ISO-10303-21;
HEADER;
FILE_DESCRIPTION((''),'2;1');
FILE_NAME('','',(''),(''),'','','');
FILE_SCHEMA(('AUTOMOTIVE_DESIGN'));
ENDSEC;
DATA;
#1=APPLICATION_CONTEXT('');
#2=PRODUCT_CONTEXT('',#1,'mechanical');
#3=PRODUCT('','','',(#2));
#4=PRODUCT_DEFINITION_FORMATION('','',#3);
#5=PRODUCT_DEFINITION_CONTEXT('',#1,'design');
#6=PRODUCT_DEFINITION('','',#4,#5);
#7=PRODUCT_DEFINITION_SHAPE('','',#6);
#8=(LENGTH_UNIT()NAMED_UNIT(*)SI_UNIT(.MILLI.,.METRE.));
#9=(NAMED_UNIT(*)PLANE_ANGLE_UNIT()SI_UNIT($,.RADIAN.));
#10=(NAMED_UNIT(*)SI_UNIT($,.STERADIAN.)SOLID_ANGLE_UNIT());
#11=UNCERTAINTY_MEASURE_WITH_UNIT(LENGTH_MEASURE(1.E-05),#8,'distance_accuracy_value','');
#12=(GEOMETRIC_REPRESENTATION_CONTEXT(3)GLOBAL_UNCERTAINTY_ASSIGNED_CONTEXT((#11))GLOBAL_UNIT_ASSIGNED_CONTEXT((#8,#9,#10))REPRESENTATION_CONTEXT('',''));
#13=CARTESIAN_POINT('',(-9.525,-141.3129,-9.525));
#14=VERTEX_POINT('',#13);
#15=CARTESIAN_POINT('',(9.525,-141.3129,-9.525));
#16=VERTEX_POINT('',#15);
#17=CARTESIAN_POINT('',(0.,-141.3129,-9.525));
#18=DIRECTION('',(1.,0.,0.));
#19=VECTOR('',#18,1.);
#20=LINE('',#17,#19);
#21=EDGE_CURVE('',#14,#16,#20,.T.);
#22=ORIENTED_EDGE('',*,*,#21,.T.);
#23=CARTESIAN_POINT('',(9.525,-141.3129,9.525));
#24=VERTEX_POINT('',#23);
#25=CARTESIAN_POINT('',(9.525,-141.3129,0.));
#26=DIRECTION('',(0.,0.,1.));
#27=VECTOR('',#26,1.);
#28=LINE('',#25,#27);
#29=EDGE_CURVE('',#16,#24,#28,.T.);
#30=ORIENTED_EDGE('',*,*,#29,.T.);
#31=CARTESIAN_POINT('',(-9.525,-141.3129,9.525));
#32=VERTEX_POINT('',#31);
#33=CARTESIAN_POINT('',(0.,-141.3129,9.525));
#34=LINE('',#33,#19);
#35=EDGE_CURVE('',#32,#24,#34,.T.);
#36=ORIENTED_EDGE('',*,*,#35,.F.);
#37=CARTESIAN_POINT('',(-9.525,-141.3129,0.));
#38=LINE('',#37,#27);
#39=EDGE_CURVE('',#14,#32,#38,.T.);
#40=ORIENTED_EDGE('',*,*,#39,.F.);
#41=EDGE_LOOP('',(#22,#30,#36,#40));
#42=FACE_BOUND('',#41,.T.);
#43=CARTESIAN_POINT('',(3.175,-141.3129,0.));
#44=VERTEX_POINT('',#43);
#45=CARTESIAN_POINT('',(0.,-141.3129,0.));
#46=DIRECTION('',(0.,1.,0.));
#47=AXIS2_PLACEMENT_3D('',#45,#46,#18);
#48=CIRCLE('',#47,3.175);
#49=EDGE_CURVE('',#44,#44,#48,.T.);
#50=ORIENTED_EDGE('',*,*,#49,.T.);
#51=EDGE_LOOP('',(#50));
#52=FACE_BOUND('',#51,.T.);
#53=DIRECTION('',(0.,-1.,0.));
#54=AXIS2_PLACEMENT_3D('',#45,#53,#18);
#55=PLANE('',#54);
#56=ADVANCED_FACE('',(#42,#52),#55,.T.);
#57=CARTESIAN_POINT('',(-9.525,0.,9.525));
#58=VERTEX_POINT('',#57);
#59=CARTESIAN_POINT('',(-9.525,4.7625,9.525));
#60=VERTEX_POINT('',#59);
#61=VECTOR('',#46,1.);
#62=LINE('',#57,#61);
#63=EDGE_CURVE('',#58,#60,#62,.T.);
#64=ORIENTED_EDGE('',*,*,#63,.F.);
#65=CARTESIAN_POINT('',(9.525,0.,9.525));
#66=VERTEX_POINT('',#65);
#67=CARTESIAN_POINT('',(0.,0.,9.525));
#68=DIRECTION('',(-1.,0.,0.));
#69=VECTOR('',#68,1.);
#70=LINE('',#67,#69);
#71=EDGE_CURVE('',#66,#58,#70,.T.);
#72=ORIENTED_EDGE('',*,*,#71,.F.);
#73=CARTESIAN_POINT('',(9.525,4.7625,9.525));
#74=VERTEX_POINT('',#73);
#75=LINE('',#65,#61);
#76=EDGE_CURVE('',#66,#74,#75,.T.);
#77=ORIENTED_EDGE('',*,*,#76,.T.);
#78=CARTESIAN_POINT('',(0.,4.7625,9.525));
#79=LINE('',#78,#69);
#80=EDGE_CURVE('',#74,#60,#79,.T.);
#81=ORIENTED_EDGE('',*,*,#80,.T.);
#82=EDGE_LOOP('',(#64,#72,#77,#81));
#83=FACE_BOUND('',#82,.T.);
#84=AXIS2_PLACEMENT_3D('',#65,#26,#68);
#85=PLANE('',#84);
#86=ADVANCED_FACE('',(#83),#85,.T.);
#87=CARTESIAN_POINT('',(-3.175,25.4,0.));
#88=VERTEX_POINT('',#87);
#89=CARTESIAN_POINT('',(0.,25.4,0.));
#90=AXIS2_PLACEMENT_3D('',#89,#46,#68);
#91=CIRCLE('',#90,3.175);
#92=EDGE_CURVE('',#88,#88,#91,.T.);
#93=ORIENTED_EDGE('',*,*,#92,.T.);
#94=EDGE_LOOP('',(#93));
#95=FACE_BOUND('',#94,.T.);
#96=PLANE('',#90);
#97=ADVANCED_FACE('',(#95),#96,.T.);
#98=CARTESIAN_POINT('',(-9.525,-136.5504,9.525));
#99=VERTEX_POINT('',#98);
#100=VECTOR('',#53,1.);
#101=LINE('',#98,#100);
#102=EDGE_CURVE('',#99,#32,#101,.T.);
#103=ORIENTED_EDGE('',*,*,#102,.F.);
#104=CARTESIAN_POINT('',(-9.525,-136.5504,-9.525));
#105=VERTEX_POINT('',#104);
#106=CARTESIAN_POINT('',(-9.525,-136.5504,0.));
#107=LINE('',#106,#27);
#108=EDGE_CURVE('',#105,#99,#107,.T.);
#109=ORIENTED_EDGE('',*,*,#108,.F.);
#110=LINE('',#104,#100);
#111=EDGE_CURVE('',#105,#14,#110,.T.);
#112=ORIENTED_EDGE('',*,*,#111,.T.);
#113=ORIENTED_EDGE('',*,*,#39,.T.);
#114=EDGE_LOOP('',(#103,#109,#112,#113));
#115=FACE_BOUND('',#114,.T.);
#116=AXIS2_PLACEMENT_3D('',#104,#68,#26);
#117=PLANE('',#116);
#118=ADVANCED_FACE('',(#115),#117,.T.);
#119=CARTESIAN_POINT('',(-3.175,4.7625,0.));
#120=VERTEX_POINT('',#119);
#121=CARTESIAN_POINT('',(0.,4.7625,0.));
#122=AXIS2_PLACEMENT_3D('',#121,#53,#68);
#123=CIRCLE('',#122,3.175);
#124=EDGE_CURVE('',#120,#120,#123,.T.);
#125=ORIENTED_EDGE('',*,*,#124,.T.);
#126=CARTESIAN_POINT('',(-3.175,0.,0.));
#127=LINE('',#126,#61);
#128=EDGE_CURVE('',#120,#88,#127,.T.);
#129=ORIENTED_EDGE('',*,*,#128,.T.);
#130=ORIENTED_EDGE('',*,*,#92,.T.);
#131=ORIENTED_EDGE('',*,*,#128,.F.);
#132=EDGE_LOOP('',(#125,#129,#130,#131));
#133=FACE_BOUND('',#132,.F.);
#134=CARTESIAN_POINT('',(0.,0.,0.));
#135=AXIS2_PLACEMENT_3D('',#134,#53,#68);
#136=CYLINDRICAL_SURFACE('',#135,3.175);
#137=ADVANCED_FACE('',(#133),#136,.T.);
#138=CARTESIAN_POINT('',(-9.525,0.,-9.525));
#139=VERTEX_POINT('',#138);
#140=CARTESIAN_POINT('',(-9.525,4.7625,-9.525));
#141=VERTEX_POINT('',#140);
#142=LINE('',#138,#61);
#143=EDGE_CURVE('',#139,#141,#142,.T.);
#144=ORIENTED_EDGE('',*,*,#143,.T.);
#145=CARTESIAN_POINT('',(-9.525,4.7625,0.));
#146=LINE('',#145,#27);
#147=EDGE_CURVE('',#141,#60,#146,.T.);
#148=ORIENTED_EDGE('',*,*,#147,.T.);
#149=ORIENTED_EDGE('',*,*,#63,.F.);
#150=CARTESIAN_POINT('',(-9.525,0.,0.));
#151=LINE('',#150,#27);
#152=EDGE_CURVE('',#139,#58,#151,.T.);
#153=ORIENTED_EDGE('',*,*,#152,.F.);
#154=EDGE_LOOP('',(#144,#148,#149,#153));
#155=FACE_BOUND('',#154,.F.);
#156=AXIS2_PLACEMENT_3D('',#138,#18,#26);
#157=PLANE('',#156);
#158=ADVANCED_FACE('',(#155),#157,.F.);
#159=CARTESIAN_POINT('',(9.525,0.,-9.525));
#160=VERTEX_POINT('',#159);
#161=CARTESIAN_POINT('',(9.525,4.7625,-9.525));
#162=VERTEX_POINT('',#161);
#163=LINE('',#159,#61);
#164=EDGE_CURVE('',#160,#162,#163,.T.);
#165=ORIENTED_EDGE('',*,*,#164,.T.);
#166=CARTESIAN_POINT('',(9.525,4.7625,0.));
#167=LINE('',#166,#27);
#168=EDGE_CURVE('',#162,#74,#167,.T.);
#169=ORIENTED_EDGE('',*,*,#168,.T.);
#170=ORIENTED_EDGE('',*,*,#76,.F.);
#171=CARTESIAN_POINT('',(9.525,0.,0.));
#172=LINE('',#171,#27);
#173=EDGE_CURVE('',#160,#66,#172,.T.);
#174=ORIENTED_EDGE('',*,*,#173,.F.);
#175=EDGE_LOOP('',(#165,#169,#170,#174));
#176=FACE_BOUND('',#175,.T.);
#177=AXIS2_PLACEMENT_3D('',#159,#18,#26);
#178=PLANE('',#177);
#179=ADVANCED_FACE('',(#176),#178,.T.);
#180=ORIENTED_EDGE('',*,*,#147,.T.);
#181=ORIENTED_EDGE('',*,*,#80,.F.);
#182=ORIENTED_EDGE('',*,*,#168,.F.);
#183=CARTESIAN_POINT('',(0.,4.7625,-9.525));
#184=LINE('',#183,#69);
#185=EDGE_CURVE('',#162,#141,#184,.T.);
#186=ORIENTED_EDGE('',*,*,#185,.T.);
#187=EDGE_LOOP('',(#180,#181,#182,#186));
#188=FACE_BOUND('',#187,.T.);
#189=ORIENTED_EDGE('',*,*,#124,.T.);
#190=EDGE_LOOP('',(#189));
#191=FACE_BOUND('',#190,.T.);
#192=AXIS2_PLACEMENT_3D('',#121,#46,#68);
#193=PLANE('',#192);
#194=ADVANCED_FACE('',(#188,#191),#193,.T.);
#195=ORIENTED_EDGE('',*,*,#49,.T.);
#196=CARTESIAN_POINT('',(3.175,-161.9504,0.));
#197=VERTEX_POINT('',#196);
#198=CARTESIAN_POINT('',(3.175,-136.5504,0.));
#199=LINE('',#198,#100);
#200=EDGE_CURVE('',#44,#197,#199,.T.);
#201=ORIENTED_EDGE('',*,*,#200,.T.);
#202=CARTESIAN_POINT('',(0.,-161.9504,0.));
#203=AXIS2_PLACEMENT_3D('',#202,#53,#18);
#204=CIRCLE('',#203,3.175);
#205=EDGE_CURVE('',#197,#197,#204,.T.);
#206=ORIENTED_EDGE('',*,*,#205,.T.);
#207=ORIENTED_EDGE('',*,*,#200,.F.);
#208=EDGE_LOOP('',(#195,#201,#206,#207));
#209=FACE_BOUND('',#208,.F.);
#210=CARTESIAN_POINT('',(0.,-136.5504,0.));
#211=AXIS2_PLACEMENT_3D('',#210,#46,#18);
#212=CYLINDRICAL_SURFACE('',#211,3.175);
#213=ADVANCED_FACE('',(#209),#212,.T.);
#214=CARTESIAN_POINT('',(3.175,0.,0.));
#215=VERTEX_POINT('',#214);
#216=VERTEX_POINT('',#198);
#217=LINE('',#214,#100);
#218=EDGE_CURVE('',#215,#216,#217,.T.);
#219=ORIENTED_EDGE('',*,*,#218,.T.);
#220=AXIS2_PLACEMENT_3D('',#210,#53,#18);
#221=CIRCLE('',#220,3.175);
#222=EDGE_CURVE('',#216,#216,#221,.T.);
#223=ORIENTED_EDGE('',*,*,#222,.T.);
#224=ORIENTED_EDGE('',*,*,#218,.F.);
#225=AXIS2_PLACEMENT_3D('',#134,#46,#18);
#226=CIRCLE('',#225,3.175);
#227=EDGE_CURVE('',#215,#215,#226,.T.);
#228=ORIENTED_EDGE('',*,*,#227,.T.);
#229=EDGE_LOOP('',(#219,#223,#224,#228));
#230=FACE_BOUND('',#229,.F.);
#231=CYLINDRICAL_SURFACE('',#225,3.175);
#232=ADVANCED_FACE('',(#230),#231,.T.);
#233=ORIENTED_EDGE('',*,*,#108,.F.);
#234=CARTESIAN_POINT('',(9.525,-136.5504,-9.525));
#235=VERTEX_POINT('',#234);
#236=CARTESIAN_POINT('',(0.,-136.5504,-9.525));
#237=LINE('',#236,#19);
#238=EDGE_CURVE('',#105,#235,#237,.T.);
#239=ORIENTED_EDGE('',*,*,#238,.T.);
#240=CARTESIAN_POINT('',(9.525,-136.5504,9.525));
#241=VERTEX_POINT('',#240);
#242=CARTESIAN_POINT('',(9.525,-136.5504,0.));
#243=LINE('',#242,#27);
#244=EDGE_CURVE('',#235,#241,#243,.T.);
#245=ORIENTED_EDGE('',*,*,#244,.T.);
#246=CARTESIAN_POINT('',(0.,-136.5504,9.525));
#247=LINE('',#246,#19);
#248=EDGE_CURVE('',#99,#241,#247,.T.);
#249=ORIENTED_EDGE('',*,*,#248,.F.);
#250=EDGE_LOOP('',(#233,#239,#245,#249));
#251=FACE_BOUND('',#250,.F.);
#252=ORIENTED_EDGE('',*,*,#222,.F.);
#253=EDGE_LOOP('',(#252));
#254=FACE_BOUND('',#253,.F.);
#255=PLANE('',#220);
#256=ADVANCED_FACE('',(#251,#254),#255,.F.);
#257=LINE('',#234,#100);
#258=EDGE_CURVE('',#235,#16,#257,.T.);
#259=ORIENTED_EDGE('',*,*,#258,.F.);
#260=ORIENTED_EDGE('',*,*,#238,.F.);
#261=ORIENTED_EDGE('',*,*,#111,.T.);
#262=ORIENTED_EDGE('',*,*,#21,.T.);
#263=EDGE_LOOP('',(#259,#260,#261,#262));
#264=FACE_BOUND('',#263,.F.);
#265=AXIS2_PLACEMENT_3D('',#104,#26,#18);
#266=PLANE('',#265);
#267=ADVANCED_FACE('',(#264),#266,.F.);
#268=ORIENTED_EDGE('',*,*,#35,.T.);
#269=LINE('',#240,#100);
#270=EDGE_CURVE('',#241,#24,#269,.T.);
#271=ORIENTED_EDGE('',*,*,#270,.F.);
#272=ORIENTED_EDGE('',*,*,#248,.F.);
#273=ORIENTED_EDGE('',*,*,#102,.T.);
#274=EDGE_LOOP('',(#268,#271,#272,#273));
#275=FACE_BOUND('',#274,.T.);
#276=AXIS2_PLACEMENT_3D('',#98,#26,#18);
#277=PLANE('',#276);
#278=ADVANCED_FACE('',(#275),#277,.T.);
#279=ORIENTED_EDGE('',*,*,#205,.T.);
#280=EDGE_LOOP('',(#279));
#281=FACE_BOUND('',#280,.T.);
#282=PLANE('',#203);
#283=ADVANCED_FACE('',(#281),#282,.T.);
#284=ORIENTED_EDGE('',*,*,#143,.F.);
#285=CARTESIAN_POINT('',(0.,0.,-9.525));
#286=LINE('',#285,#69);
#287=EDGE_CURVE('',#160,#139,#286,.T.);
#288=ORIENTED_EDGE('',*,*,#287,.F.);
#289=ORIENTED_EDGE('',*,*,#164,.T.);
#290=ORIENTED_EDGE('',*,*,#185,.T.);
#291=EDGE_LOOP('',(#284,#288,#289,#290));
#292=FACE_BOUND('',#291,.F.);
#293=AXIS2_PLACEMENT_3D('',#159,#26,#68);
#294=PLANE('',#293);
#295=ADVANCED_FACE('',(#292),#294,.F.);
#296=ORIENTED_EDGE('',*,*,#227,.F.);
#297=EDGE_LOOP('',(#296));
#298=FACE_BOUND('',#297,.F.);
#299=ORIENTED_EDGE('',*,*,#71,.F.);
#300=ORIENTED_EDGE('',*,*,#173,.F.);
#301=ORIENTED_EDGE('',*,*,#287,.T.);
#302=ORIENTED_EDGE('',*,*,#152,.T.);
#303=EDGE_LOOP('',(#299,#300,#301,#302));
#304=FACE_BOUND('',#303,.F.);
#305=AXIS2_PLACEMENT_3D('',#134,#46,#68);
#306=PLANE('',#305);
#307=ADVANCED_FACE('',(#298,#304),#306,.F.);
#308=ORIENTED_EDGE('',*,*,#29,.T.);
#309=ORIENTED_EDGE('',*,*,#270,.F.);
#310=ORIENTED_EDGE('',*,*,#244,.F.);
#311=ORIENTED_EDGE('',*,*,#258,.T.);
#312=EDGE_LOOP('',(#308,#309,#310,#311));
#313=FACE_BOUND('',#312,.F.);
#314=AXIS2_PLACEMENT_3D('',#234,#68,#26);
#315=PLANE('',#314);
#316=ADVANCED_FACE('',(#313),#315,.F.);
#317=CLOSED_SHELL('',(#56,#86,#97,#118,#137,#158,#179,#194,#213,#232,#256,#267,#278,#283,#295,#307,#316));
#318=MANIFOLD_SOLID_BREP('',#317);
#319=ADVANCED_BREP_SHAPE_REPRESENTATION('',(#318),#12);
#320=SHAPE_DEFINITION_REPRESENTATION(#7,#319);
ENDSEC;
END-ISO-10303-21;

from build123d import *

# Parameters (mm, degrees)
F0_R     = 3.175
F1_DEPTH = 136.5504
F2_W     = 19.05
F2_H     = 19.05
F3_DEPTH = 4.7625
F4_W     = 19.05
F4_H     = 19.05
F5_DEPTH = 4.7625
F6_R     = 3.175
F7_DEPTH = 25.4
F8_R     = 3.175
F9_DEPTH = 25.4


with BuildPart() as f1:
    # F0 (on Front) → F1 (new body)
    with BuildSketch(Plane.XZ):
        Circle(F0_R)
    extrude(amount=F1_DEPTH)

    # F2 (on face) → F3 (join)
    with BuildSketch(Plane.XZ.offset(136.5504)):
        Rectangle(F2_W, F2_H)
    extrude(amount=F3_DEPTH)

    # F4 (on face) → F5 (join)
    with BuildSketch(Plane(origin=(0, 0, 0), x_dir=(-1, 0, 0), z_dir=(0, 1, 0))):
        Rectangle(F4_W, F4_H)
    extrude(amount=F5_DEPTH)

    # F6 (on face) → F7 (join)
    with BuildSketch(Plane.XZ.offset(136.5504)):
        Circle(F6_R)
    extrude(amount=F7_DEPTH)

    # F8 (on face) → F9 (join)
    with BuildSketch(Plane(origin=(0, 0, 0), x_dir=(-1, 0, 0), z_dir=(0, 1, 0))):
        Circle(F8_R)
    extrude(amount=F9_DEPTH)


solid = f1.part
